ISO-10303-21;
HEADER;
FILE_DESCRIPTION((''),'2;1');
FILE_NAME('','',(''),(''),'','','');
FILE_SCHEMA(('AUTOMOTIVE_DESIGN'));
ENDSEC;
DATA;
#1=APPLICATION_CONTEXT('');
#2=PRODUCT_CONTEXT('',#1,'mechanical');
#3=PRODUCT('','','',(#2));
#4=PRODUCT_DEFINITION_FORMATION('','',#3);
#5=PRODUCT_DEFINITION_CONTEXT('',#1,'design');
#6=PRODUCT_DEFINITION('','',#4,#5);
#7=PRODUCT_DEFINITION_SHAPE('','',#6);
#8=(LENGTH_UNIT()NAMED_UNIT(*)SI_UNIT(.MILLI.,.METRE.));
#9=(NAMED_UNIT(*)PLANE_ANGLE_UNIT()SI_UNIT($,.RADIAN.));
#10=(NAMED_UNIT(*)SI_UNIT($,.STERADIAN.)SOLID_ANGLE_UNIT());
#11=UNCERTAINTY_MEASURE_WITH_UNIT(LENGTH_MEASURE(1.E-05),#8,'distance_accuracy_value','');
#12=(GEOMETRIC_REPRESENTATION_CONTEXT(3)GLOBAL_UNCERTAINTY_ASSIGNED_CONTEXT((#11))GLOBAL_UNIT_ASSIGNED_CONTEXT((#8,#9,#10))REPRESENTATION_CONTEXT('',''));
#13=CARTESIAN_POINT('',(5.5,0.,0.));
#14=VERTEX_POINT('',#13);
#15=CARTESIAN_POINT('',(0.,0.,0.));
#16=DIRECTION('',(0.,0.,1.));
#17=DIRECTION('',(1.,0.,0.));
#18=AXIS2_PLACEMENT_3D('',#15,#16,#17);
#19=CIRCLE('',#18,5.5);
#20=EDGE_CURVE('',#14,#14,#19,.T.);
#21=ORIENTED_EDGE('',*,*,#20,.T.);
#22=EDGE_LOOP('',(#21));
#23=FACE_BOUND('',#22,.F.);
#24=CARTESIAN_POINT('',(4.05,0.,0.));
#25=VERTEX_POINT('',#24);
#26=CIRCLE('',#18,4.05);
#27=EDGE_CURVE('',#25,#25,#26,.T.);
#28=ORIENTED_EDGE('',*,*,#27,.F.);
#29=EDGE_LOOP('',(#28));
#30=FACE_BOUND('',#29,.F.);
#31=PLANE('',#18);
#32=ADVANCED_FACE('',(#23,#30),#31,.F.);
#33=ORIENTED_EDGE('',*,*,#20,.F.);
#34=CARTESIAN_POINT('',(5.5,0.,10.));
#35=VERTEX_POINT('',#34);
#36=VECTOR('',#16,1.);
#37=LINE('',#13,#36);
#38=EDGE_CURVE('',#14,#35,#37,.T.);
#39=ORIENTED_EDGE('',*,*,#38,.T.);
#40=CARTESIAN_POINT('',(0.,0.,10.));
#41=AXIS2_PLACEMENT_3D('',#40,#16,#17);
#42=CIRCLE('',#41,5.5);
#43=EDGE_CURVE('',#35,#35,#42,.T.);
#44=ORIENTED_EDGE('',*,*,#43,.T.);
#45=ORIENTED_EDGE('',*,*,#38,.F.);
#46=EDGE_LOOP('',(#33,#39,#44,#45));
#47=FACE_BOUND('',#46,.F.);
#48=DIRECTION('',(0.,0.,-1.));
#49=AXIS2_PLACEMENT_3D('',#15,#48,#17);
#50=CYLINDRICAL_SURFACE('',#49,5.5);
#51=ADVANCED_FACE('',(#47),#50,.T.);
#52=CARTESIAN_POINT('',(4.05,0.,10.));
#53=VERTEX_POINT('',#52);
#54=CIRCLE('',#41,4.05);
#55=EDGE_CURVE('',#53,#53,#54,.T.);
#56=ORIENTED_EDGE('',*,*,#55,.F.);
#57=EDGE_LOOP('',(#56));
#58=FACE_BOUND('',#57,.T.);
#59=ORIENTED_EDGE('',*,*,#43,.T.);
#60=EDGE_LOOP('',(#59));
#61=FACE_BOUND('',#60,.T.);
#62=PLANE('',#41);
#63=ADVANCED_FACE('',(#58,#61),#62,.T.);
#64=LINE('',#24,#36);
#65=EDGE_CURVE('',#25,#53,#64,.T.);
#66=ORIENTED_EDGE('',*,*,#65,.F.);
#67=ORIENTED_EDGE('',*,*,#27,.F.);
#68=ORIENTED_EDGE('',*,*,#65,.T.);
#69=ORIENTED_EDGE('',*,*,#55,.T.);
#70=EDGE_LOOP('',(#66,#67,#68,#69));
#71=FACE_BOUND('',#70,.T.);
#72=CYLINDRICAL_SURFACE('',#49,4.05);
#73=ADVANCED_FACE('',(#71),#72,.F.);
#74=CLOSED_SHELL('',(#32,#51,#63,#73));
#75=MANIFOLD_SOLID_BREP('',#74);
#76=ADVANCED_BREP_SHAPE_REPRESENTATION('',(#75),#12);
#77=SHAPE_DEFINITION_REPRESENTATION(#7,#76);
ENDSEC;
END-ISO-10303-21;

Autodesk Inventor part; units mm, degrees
ref_plane "YZ Plane" through (0, 0, 0) normal (1, 0, 0) x (0, 1, 0)
ref_plane "XZ Plane" through (0, 0, 0) normal (0, 1, 0) x (-1, 0, 0)
ref_plane "XY Plane" through (0, 0, 0) normal (0, 0, 1) x (1, 0, 0)
sketch "Sketch1" plane through (0, 0, 0) normal (0, 0, 1) x (1, 0, 0)
  circle A0 centre (0, 0) radius 4.05
  circle A1 centre (0, 0) radius 5.5
  dimension "d0" = 8.1
  dimension "d1" = 11
extrude "Extrusion1" add sketch "Sketch1" along normal blind 10
properties part number "ArmPlateSpacerFirstStage"
